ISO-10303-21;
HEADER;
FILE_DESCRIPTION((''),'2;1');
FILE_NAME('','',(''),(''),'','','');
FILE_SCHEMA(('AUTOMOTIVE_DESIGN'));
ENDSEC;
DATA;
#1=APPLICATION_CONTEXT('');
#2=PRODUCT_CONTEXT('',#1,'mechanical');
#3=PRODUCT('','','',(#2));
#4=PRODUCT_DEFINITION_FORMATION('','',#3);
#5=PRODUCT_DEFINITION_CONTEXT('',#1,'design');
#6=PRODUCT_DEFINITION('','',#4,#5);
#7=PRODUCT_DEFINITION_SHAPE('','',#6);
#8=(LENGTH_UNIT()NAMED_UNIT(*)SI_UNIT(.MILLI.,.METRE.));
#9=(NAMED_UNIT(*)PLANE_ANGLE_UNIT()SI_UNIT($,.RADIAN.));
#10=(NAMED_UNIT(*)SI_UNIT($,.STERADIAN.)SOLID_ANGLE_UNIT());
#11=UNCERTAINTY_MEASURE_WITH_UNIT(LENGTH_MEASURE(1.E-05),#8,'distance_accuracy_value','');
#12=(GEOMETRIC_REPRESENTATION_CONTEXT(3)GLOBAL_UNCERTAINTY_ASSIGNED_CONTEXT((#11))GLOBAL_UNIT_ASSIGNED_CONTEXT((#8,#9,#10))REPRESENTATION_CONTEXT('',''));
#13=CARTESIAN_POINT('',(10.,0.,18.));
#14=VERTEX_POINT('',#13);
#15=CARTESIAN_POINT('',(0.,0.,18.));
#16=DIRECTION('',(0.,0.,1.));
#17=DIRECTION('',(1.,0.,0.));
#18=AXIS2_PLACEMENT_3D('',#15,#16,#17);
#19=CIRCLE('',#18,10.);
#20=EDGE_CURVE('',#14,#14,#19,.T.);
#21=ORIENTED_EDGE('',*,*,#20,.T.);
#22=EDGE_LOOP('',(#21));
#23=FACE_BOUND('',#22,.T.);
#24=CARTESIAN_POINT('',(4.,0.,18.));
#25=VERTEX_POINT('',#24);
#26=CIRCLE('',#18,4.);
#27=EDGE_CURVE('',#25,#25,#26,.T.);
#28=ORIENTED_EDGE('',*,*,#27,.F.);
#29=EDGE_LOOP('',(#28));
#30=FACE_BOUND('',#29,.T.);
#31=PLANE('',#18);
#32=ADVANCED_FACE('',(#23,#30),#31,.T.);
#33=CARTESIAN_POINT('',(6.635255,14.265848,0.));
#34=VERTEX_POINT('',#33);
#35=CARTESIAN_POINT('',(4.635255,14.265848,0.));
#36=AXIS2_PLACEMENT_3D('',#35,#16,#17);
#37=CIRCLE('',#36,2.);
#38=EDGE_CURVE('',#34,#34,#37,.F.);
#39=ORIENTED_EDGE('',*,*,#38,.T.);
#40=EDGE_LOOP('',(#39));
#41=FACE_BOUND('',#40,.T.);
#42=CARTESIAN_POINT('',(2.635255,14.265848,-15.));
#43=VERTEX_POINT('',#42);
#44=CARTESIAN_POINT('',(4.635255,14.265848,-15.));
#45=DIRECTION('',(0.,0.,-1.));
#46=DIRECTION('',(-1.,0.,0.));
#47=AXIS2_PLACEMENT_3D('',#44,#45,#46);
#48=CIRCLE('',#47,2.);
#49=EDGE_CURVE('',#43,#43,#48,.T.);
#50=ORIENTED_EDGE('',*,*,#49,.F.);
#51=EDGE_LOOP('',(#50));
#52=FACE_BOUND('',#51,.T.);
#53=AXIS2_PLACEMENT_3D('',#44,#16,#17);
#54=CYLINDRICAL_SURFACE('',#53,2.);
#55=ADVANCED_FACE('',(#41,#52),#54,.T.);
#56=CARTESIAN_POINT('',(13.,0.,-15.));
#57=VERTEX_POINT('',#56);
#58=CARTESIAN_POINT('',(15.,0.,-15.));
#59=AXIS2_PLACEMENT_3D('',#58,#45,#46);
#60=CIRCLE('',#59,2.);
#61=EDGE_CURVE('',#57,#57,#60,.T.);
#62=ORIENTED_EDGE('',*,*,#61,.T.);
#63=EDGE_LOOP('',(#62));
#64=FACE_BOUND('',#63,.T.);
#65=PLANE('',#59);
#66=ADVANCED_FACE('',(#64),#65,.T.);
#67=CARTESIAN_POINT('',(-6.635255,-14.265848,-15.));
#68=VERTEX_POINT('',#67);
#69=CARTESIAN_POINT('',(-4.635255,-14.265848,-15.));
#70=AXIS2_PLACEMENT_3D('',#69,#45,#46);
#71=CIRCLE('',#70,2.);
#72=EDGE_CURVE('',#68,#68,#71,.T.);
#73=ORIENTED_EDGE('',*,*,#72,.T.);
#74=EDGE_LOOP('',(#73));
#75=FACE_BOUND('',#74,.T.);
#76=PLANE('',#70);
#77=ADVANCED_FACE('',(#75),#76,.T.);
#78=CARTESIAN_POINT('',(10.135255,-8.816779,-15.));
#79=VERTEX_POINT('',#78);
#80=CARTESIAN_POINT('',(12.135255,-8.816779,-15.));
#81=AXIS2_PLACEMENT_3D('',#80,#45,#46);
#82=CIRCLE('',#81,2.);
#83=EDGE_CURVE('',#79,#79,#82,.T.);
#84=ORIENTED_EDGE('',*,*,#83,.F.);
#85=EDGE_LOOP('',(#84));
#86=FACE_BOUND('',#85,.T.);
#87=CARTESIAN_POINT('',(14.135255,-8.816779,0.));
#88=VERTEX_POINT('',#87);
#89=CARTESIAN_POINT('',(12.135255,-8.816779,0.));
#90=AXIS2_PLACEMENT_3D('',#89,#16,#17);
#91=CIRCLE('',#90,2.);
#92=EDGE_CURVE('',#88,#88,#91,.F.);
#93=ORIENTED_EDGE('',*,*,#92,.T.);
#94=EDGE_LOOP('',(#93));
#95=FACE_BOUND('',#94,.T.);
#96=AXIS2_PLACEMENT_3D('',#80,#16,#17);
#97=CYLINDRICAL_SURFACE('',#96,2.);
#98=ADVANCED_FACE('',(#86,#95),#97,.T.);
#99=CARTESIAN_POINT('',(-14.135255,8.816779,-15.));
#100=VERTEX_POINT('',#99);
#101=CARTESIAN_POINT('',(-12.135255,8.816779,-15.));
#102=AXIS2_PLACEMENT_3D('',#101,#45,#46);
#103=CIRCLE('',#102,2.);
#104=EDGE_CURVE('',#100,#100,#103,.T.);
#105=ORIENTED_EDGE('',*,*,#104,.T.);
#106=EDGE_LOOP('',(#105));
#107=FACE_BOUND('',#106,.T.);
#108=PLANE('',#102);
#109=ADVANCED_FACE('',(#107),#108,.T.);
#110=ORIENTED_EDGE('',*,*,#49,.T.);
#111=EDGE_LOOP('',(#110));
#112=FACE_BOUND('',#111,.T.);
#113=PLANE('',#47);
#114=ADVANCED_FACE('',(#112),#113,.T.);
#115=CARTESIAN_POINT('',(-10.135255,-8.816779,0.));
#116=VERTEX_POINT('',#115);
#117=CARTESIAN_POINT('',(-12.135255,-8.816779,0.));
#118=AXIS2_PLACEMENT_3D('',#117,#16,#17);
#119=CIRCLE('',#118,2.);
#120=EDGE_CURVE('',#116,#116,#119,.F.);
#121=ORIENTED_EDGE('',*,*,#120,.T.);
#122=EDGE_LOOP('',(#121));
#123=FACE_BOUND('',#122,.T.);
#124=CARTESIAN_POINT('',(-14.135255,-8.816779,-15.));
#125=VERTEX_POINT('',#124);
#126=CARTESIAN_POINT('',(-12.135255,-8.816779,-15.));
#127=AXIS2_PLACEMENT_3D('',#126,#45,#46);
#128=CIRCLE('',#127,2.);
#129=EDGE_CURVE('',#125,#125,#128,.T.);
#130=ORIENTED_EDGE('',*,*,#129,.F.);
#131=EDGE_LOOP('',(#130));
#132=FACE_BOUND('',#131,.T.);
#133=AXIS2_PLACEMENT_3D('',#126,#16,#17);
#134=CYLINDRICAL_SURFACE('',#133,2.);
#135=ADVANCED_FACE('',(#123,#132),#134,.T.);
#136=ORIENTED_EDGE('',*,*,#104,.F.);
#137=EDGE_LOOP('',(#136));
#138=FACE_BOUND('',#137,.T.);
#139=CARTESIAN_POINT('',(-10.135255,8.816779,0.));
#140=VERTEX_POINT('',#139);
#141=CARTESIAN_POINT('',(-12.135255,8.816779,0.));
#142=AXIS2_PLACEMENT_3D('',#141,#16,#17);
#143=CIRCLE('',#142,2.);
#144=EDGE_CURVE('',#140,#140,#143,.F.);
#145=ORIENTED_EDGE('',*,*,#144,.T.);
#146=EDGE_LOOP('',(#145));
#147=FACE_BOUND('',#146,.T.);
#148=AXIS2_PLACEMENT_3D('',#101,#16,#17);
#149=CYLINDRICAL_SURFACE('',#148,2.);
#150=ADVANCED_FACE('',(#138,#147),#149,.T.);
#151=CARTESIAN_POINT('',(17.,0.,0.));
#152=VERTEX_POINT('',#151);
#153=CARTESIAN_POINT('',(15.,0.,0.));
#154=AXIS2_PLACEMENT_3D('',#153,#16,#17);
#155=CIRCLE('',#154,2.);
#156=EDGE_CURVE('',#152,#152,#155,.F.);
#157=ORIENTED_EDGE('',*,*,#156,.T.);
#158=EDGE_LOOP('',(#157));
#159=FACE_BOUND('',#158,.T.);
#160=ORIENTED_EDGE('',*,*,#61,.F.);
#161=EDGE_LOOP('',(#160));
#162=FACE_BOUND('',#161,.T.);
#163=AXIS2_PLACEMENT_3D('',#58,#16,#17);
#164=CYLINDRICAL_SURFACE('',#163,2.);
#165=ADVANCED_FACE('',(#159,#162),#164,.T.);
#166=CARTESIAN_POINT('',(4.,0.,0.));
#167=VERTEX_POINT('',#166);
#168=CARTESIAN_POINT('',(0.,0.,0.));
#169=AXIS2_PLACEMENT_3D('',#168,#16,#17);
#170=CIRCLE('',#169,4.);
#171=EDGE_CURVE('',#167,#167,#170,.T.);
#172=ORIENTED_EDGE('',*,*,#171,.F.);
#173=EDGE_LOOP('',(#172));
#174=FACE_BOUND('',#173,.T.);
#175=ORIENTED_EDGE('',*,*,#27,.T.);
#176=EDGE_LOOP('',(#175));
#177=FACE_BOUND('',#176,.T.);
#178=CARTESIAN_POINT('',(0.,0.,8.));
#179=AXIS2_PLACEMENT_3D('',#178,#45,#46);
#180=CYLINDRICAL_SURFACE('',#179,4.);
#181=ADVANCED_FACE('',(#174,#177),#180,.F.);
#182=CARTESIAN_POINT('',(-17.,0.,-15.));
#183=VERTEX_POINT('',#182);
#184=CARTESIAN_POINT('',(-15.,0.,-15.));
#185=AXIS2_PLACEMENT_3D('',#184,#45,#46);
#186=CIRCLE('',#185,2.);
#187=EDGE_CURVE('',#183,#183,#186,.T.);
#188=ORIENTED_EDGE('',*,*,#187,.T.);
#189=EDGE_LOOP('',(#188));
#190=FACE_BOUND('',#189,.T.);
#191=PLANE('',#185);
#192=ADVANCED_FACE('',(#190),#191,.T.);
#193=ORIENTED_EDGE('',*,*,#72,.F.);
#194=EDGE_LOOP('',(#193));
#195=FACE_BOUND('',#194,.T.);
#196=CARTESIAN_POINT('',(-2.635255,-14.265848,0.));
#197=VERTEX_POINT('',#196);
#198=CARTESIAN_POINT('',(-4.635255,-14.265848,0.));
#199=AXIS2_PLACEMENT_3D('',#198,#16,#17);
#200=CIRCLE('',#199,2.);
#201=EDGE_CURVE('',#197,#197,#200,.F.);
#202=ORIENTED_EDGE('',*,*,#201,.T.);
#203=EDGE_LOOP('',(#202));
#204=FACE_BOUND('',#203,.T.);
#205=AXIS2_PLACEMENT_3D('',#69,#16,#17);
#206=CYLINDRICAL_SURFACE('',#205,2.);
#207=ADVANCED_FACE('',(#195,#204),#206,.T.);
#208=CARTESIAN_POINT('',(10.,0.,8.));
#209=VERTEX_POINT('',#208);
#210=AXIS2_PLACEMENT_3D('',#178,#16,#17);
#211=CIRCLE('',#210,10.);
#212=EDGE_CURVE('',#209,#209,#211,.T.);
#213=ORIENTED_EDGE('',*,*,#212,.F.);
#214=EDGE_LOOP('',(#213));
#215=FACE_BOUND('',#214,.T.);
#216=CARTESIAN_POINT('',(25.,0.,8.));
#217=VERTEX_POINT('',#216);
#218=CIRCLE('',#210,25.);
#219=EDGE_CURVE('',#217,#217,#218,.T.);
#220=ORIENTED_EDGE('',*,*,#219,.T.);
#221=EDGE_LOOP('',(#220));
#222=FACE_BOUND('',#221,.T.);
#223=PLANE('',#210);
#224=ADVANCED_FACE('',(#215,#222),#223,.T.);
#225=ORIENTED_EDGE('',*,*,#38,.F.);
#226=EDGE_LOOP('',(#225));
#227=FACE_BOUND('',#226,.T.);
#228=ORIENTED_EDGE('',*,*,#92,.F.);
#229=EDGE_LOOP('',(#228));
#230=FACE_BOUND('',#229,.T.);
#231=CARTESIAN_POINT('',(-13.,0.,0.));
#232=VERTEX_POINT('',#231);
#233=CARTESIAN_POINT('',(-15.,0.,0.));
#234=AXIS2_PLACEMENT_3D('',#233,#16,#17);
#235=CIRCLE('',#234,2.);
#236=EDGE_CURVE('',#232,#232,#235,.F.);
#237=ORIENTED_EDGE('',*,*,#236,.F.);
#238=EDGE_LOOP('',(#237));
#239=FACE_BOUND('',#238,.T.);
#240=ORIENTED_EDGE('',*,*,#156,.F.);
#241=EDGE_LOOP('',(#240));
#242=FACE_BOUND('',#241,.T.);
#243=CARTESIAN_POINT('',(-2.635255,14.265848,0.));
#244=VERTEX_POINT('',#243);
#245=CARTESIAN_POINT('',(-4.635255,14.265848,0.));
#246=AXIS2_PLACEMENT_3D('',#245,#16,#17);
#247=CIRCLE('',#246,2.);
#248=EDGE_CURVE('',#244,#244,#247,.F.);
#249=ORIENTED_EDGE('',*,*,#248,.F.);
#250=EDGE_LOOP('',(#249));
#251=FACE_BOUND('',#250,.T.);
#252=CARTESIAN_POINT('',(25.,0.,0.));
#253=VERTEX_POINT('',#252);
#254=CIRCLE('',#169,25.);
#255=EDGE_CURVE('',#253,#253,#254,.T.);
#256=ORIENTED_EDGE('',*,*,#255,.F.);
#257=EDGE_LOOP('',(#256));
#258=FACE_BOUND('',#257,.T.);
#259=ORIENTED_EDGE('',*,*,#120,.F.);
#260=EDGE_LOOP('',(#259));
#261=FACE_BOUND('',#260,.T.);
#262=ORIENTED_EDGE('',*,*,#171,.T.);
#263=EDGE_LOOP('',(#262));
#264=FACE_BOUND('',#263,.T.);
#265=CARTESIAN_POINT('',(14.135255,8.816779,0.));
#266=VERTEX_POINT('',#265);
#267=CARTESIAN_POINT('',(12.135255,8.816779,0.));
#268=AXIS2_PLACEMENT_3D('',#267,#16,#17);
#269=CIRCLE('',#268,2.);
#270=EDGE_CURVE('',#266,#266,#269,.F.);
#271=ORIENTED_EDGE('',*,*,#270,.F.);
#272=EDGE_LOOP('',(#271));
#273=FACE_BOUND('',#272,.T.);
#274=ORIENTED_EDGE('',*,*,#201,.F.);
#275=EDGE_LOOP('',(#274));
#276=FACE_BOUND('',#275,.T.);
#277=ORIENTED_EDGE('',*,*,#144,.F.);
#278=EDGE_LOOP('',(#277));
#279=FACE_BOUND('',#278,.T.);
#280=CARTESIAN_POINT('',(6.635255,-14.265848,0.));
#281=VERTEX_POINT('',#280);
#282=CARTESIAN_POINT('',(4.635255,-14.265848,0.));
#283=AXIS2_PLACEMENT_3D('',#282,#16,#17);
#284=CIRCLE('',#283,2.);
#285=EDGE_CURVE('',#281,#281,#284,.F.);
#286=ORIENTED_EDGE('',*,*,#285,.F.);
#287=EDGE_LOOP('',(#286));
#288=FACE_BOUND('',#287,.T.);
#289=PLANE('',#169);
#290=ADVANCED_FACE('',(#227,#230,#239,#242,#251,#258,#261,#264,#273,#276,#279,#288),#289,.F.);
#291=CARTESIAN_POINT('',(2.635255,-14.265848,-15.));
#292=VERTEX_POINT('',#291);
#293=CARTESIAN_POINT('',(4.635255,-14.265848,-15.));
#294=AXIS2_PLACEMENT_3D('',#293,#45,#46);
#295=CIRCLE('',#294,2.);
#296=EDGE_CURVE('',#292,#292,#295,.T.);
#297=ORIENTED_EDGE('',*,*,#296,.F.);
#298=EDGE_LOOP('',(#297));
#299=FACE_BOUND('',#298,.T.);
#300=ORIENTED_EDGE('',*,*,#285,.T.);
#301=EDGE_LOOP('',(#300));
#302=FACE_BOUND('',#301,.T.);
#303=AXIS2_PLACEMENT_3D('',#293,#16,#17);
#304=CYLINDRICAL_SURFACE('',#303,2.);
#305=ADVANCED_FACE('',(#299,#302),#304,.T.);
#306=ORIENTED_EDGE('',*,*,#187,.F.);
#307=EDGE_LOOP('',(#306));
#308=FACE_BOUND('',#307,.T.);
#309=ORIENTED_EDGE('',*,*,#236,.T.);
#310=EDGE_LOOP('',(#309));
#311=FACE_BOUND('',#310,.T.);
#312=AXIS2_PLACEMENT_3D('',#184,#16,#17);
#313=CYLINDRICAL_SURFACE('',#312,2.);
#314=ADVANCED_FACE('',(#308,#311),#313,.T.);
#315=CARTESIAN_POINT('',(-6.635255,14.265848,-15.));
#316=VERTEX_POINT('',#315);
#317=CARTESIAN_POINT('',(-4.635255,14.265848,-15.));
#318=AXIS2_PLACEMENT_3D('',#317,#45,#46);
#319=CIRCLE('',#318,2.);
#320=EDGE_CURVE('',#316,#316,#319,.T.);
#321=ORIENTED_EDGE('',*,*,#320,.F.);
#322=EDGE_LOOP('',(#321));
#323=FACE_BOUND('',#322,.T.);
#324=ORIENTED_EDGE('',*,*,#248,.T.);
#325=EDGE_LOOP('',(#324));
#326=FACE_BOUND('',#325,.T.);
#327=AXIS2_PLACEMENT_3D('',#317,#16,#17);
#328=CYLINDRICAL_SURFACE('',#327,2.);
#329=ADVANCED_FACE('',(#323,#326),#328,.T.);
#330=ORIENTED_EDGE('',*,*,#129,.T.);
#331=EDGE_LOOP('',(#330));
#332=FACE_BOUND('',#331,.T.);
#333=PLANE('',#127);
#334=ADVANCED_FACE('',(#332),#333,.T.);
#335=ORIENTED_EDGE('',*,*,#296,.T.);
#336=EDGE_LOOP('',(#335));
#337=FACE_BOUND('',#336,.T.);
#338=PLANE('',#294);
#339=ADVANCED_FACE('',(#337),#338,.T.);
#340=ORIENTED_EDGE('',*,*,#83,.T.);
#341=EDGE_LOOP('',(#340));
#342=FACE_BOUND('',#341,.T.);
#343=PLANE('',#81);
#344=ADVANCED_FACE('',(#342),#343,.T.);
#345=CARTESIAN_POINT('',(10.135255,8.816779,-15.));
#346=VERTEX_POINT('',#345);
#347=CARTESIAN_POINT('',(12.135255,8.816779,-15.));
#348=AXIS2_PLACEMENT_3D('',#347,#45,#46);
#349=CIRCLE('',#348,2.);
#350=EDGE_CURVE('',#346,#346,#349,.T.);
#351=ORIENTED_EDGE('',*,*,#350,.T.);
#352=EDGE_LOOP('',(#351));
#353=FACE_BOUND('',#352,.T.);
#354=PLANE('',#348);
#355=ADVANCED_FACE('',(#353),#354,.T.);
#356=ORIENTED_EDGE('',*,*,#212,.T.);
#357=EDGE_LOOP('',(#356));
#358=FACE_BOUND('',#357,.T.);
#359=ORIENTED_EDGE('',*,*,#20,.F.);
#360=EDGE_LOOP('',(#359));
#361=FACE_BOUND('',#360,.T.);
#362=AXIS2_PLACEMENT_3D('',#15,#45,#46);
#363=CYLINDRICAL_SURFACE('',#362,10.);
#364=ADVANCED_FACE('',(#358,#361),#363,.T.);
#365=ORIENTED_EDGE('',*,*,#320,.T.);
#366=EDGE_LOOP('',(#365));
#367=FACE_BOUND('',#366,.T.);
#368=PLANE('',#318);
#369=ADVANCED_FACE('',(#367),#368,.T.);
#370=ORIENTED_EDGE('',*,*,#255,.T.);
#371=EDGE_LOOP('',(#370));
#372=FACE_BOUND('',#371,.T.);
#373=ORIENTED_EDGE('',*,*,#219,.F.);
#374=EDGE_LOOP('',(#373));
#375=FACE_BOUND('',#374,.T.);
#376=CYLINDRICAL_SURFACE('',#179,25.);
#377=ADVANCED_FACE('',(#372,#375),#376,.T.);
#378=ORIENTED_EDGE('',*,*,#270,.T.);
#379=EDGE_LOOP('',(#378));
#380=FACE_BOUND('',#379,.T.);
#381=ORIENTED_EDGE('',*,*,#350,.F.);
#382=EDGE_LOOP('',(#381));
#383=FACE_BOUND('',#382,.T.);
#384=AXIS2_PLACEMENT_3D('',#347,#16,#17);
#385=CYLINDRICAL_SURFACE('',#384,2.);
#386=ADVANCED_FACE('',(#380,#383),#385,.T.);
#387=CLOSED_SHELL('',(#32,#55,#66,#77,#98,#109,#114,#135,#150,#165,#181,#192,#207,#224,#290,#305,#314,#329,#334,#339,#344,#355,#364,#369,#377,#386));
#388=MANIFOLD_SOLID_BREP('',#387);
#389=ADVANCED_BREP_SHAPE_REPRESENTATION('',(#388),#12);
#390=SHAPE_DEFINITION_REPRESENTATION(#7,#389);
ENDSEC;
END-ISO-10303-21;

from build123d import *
from build123d.topology import SkipClean

# Parameters (mm, degrees)
SKETCH1_R               = 25
BOSS_EXTRUDE1_DEPTH     = 8
SKETCH2_R               = 2
BOSS_EXTRUDE2_DEPTH     = 15
CUT_EXTRUDE1_DEPTH      = 39.405728739
CUT_EXTRUDE1_DEPTH_BACK = 39.405728739
SKETCH3_R               = 4
SKETCH4_R               = 10
SKETCH4_R_2             = 4
BOSS_EXTRUDE3_DEPTH     = 10


with BuildPart() as part:
    # Sketch1 → Boss-Extrude1 (new body)
    with BuildSketch(Plane.XY):
        Circle(SKETCH1_R)
    extrude(amount=BOSS_EXTRUDE1_DEPTH)

    # Sketch2 → Boss-Extrude2 (add)
    with BuildSketch(Plane(origin=(0, 0, 0), x_dir=(-1, 0, 0), z_dir=(0, 0, -1))):
        with Locations((15, 0)):
            Circle(SKETCH2_R)
        with Locations((12.135254916, -8.816778784)):
            Circle(SKETCH2_R)
        with Locations((4.635254916, -14.265847744)):
            Circle(SKETCH2_R)
        with Locations((-4.635254916, -14.265847744)):
            Circle(SKETCH2_R)
        with Locations((-12.135254916, -8.816778784)):
            Circle(SKETCH2_R)
        with Locations((-15, 0)):
            Circle(SKETCH2_R)
        with Locations((-12.135254916, 8.816778784)):
            Circle(SKETCH2_R)
        with Locations((-4.635254916, 14.265847744)):
            Circle(SKETCH2_R)
        with Locations((4.635254916, 14.265847744)):
            Circle(SKETCH2_R)
        with Locations((12.135254916, 8.816778784)):
            Circle(SKETCH2_R)
    extrude(amount=BOSS_EXTRUDE2_DEPTH)

    # Sketch3 → Cut-Extrude1 (cut, two sides: drawn at the far end of the back side and taken through both)
    with BuildSketch(Plane(origin=(0, 0, 0), x_dir=(-1, 0, 0), z_dir=(0, 0, -1)).offset(-CUT_EXTRUDE1_DEPTH_BACK)):
        Circle(SKETCH3_R)
    extrude(amount=CUT_EXTRUDE1_DEPTH + CUT_EXTRUDE1_DEPTH_BACK, mode=Mode.SUBTRACT)

    # Sketch4 → Boss-Extrude3 (add)
    with SkipClean():  # the faces are left unmerged after this step: merging them gives an invalid solid
        with BuildSketch(Plane.XY.offset(8)):
            Circle(SKETCH4_R)
            Circle(SKETCH4_R_2, mode=Mode.SUBTRACT)
        extrude(amount=BOSS_EXTRUDE3_DEPTH)


solid = part.part
